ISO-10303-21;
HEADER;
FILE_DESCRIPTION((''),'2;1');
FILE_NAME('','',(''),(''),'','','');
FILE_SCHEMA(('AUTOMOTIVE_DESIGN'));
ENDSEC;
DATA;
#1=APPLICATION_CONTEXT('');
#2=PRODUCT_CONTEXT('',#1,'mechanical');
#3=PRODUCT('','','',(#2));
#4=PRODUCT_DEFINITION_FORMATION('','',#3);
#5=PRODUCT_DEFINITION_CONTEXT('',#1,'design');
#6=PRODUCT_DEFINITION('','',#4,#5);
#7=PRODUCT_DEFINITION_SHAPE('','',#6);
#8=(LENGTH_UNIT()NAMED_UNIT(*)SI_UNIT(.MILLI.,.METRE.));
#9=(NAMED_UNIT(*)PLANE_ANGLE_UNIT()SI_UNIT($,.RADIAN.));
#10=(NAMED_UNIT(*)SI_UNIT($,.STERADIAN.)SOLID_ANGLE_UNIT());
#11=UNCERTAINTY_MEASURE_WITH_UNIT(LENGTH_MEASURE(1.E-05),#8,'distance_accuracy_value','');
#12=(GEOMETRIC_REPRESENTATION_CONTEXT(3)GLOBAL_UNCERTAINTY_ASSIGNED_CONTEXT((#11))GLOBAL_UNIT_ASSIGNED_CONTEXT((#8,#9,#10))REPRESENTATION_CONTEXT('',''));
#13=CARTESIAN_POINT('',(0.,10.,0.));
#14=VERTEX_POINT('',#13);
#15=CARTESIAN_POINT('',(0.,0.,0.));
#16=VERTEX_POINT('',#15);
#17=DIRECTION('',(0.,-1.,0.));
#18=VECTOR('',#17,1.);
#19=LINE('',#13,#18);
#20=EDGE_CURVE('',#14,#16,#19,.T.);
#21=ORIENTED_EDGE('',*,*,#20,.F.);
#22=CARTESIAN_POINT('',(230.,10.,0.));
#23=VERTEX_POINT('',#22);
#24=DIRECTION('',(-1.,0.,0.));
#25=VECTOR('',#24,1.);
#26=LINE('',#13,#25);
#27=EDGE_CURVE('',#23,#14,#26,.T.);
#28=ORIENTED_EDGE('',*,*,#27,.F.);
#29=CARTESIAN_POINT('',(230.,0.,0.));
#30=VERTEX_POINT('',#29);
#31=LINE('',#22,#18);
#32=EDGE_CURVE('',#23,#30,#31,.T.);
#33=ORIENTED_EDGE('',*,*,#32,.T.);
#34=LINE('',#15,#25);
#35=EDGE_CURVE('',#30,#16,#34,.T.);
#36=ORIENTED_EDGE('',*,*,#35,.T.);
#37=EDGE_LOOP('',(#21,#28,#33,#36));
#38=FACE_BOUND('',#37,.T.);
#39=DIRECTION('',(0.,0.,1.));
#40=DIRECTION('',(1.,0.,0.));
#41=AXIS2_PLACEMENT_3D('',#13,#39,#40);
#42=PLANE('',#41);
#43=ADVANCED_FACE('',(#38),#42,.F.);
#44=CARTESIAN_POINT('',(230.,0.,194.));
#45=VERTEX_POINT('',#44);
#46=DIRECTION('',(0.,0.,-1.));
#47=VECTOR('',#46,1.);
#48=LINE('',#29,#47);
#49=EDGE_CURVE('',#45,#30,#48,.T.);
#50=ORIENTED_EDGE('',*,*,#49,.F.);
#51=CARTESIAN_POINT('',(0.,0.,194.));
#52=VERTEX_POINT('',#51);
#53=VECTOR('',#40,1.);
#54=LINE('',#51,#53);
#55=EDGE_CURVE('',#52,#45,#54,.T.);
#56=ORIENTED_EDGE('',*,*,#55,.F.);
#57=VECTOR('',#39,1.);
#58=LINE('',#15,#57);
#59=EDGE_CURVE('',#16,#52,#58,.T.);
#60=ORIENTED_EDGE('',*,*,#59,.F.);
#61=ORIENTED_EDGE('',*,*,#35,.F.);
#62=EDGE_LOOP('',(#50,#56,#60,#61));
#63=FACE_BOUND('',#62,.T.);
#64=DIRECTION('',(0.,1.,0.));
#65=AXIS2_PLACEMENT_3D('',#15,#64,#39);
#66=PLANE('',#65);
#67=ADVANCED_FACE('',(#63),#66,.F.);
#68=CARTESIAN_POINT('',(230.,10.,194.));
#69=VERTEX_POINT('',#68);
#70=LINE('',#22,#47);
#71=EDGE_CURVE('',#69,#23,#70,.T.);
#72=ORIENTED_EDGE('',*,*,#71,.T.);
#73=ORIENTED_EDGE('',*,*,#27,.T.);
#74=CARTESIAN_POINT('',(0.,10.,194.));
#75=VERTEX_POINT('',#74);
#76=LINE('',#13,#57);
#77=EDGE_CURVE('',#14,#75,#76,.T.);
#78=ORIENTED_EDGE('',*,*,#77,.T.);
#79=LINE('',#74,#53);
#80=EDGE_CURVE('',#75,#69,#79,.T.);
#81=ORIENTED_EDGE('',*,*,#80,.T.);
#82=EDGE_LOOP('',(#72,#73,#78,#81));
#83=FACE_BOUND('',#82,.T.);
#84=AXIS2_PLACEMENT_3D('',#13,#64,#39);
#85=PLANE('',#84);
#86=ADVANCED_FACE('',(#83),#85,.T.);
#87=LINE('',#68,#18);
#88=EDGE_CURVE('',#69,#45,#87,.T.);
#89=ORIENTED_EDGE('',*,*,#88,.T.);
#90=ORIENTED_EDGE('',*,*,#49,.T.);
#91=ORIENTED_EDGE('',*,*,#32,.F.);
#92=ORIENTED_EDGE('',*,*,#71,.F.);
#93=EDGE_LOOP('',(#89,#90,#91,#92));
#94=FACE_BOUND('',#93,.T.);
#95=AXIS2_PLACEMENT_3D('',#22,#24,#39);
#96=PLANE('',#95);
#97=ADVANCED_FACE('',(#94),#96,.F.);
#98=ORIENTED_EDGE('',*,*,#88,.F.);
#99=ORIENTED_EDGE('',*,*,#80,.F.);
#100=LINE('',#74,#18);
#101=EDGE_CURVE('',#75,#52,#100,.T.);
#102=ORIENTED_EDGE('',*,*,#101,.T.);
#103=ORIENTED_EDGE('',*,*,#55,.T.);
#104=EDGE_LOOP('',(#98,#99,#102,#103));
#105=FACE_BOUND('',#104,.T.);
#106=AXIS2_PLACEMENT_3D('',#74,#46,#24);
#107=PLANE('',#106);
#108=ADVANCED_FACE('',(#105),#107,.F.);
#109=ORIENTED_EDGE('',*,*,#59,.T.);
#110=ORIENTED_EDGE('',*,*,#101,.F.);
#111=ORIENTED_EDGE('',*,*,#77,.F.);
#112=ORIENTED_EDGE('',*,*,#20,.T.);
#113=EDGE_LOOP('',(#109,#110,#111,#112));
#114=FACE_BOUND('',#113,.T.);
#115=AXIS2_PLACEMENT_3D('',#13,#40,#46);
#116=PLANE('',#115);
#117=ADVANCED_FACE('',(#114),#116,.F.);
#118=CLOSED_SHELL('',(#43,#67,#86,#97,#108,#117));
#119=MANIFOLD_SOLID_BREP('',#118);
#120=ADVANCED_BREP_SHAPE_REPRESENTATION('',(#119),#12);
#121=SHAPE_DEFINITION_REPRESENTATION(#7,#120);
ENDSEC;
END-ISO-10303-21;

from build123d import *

# Parameters (mm, degrees)
SKETCH_1_W      = 230
SKETCH_1_H      = 194
EXTRUDE_1_DEPTH = 10


with BuildPart() as part:
    # 草图1 → 凸台-拉伸1 (new body)
    with BuildSketch(Plane(origin=(0, 0, 0), x_dir=(1, 0, 0), z_dir=(0, 1, 0))):
        with Locations((115, -97)):
            Rectangle(SKETCH_1_W, SKETCH_1_H)
    extrude(amount=EXTRUDE_1_DEPTH)


solid = part.part
